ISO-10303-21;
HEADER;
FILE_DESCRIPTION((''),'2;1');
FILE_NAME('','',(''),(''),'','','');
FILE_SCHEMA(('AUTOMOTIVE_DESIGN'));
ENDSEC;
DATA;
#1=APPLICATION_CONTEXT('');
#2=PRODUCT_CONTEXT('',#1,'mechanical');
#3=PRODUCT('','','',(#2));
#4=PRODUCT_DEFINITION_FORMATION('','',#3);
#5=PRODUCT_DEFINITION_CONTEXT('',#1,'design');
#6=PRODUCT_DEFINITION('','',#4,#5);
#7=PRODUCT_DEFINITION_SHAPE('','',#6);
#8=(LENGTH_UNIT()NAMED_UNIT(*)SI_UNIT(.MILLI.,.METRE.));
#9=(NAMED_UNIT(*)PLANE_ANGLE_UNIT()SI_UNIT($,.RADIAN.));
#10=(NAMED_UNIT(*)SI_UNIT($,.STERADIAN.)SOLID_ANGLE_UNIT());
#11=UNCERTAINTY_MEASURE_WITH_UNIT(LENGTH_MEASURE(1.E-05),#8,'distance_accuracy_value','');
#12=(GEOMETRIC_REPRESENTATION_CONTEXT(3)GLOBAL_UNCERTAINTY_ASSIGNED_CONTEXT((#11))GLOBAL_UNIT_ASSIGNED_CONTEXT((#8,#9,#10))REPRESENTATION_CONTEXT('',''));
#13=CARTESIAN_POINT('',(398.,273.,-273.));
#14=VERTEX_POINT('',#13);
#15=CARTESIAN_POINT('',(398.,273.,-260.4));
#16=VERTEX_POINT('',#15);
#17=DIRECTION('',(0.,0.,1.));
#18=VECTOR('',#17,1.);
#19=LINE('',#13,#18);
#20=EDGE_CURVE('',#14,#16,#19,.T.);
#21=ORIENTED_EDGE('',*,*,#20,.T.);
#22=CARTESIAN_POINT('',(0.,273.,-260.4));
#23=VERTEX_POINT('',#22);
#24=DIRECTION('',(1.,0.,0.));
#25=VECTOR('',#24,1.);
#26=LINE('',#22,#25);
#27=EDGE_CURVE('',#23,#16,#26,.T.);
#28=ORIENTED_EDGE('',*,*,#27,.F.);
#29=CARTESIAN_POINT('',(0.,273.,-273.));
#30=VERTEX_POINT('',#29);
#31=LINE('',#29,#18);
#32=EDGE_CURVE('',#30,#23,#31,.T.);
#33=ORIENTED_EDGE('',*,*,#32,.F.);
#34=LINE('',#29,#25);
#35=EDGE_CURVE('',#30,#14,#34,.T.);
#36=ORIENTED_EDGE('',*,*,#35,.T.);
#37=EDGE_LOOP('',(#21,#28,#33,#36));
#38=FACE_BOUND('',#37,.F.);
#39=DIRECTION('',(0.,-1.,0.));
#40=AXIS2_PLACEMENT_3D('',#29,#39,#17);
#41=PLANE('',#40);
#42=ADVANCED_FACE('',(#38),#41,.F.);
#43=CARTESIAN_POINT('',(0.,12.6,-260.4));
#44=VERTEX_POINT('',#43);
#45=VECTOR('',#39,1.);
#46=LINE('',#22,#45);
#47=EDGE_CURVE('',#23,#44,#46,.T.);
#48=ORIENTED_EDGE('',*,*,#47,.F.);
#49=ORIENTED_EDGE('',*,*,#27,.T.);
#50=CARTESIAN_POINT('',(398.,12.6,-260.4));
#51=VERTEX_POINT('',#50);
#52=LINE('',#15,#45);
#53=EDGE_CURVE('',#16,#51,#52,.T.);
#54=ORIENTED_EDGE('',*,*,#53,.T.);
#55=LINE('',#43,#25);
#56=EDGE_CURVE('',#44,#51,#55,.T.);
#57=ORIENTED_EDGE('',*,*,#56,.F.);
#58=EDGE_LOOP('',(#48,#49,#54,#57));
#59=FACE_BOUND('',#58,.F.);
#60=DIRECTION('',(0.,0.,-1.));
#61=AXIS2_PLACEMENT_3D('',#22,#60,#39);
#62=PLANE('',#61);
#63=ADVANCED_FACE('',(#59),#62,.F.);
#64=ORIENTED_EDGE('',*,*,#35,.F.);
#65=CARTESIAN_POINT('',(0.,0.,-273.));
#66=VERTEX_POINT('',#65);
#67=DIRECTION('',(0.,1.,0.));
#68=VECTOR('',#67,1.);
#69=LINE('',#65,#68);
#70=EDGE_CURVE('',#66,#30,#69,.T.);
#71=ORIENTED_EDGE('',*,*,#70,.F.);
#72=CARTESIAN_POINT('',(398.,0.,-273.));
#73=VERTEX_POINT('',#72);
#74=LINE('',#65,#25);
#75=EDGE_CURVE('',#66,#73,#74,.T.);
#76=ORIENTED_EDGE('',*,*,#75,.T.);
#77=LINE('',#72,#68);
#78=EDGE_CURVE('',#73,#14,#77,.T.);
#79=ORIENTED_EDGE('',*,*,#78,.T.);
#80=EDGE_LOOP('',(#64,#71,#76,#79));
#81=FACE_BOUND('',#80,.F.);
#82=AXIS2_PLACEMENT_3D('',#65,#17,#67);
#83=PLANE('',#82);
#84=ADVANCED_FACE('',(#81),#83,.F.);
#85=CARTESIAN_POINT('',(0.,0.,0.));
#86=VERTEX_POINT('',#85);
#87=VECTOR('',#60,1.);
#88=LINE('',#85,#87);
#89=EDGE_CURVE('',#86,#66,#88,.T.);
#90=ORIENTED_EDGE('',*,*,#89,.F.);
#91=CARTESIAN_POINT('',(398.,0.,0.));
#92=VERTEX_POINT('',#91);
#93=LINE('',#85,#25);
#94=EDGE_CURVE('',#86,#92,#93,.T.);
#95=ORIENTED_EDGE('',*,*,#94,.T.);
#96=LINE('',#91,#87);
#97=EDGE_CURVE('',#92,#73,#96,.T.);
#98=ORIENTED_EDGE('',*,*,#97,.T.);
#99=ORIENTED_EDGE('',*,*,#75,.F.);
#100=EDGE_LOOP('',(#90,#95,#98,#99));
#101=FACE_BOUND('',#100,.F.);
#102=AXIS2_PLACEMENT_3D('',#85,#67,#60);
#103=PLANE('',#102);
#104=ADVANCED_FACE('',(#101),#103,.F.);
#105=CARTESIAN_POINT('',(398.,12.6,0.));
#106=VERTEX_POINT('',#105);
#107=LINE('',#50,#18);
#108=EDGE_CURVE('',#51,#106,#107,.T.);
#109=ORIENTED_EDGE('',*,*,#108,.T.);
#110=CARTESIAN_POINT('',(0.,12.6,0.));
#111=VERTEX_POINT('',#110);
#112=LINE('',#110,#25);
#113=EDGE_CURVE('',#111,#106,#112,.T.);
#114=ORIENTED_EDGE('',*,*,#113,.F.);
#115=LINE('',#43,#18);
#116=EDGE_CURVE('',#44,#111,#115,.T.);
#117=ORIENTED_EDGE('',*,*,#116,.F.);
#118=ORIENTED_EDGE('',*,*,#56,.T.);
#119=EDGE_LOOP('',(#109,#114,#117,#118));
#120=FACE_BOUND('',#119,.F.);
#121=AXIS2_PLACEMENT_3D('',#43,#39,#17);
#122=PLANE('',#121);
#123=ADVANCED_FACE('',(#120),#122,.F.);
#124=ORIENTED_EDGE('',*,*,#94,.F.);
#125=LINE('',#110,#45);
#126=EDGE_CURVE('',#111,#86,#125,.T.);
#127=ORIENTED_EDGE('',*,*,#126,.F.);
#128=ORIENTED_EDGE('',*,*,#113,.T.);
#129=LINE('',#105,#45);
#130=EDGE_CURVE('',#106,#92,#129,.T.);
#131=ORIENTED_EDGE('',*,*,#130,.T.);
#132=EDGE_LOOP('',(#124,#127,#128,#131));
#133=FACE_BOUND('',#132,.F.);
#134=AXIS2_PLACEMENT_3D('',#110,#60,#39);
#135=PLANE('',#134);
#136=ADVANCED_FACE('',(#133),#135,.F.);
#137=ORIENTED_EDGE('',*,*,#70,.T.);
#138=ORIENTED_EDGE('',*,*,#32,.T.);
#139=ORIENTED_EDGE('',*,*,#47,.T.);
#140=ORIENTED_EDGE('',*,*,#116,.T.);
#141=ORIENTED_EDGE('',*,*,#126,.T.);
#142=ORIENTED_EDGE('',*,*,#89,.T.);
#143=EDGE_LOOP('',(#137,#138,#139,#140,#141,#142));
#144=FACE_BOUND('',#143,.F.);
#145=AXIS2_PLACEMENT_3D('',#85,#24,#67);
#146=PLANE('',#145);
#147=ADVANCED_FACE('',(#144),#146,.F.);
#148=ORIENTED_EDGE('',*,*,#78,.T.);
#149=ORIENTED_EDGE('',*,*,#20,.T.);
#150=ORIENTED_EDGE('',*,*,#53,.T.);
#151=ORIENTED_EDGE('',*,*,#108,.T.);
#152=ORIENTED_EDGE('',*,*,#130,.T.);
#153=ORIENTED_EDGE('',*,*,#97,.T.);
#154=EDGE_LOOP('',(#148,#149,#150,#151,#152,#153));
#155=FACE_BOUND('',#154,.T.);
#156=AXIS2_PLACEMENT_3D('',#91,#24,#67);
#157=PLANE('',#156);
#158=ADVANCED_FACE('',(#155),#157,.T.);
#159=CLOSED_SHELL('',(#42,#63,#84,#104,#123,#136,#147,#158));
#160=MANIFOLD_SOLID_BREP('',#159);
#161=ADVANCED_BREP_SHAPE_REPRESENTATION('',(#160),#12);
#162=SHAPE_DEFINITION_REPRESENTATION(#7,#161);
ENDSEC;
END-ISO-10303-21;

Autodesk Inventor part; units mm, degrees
ref_plane "YZ Plane" through (0, 0, 0) normal (1, 0, 0) x (0, 1, 0)
ref_plane "XZ Plane" through (0, 0, 0) normal (0, 1, 0) x (-1, 0, 0)
ref_plane "XY Plane" through (0, 0, 0) normal (0, 0, 1) x (1, 0, 0)
sketch "Sketch2" plane through (0, 0, 0) normal (1, 0, 0) x (0, 1, 0)
  line L0 (0, 0) -> (0, -273)
  line L1 (0, -273) -> (273, -273)
  line L2 (273, -273) -> (273, -260.4)
  line L3 (273, -260.4) -> (12.6, -260.4)
  line L4 (12.6, -260.4) -> (12.6, 0)
  line L5 (12.6, 0) -> (0, 0)
  dimension "d0" = 12.6
  dimension "d1" = 12.6
  dimension "d2" = 273
  dimension "d3" = 273
extrude "Extrusion1" add sketch "Sketch2" along normal blind 398
properties part number "Laptop_MSI_KATANA_GF76_11UG"
